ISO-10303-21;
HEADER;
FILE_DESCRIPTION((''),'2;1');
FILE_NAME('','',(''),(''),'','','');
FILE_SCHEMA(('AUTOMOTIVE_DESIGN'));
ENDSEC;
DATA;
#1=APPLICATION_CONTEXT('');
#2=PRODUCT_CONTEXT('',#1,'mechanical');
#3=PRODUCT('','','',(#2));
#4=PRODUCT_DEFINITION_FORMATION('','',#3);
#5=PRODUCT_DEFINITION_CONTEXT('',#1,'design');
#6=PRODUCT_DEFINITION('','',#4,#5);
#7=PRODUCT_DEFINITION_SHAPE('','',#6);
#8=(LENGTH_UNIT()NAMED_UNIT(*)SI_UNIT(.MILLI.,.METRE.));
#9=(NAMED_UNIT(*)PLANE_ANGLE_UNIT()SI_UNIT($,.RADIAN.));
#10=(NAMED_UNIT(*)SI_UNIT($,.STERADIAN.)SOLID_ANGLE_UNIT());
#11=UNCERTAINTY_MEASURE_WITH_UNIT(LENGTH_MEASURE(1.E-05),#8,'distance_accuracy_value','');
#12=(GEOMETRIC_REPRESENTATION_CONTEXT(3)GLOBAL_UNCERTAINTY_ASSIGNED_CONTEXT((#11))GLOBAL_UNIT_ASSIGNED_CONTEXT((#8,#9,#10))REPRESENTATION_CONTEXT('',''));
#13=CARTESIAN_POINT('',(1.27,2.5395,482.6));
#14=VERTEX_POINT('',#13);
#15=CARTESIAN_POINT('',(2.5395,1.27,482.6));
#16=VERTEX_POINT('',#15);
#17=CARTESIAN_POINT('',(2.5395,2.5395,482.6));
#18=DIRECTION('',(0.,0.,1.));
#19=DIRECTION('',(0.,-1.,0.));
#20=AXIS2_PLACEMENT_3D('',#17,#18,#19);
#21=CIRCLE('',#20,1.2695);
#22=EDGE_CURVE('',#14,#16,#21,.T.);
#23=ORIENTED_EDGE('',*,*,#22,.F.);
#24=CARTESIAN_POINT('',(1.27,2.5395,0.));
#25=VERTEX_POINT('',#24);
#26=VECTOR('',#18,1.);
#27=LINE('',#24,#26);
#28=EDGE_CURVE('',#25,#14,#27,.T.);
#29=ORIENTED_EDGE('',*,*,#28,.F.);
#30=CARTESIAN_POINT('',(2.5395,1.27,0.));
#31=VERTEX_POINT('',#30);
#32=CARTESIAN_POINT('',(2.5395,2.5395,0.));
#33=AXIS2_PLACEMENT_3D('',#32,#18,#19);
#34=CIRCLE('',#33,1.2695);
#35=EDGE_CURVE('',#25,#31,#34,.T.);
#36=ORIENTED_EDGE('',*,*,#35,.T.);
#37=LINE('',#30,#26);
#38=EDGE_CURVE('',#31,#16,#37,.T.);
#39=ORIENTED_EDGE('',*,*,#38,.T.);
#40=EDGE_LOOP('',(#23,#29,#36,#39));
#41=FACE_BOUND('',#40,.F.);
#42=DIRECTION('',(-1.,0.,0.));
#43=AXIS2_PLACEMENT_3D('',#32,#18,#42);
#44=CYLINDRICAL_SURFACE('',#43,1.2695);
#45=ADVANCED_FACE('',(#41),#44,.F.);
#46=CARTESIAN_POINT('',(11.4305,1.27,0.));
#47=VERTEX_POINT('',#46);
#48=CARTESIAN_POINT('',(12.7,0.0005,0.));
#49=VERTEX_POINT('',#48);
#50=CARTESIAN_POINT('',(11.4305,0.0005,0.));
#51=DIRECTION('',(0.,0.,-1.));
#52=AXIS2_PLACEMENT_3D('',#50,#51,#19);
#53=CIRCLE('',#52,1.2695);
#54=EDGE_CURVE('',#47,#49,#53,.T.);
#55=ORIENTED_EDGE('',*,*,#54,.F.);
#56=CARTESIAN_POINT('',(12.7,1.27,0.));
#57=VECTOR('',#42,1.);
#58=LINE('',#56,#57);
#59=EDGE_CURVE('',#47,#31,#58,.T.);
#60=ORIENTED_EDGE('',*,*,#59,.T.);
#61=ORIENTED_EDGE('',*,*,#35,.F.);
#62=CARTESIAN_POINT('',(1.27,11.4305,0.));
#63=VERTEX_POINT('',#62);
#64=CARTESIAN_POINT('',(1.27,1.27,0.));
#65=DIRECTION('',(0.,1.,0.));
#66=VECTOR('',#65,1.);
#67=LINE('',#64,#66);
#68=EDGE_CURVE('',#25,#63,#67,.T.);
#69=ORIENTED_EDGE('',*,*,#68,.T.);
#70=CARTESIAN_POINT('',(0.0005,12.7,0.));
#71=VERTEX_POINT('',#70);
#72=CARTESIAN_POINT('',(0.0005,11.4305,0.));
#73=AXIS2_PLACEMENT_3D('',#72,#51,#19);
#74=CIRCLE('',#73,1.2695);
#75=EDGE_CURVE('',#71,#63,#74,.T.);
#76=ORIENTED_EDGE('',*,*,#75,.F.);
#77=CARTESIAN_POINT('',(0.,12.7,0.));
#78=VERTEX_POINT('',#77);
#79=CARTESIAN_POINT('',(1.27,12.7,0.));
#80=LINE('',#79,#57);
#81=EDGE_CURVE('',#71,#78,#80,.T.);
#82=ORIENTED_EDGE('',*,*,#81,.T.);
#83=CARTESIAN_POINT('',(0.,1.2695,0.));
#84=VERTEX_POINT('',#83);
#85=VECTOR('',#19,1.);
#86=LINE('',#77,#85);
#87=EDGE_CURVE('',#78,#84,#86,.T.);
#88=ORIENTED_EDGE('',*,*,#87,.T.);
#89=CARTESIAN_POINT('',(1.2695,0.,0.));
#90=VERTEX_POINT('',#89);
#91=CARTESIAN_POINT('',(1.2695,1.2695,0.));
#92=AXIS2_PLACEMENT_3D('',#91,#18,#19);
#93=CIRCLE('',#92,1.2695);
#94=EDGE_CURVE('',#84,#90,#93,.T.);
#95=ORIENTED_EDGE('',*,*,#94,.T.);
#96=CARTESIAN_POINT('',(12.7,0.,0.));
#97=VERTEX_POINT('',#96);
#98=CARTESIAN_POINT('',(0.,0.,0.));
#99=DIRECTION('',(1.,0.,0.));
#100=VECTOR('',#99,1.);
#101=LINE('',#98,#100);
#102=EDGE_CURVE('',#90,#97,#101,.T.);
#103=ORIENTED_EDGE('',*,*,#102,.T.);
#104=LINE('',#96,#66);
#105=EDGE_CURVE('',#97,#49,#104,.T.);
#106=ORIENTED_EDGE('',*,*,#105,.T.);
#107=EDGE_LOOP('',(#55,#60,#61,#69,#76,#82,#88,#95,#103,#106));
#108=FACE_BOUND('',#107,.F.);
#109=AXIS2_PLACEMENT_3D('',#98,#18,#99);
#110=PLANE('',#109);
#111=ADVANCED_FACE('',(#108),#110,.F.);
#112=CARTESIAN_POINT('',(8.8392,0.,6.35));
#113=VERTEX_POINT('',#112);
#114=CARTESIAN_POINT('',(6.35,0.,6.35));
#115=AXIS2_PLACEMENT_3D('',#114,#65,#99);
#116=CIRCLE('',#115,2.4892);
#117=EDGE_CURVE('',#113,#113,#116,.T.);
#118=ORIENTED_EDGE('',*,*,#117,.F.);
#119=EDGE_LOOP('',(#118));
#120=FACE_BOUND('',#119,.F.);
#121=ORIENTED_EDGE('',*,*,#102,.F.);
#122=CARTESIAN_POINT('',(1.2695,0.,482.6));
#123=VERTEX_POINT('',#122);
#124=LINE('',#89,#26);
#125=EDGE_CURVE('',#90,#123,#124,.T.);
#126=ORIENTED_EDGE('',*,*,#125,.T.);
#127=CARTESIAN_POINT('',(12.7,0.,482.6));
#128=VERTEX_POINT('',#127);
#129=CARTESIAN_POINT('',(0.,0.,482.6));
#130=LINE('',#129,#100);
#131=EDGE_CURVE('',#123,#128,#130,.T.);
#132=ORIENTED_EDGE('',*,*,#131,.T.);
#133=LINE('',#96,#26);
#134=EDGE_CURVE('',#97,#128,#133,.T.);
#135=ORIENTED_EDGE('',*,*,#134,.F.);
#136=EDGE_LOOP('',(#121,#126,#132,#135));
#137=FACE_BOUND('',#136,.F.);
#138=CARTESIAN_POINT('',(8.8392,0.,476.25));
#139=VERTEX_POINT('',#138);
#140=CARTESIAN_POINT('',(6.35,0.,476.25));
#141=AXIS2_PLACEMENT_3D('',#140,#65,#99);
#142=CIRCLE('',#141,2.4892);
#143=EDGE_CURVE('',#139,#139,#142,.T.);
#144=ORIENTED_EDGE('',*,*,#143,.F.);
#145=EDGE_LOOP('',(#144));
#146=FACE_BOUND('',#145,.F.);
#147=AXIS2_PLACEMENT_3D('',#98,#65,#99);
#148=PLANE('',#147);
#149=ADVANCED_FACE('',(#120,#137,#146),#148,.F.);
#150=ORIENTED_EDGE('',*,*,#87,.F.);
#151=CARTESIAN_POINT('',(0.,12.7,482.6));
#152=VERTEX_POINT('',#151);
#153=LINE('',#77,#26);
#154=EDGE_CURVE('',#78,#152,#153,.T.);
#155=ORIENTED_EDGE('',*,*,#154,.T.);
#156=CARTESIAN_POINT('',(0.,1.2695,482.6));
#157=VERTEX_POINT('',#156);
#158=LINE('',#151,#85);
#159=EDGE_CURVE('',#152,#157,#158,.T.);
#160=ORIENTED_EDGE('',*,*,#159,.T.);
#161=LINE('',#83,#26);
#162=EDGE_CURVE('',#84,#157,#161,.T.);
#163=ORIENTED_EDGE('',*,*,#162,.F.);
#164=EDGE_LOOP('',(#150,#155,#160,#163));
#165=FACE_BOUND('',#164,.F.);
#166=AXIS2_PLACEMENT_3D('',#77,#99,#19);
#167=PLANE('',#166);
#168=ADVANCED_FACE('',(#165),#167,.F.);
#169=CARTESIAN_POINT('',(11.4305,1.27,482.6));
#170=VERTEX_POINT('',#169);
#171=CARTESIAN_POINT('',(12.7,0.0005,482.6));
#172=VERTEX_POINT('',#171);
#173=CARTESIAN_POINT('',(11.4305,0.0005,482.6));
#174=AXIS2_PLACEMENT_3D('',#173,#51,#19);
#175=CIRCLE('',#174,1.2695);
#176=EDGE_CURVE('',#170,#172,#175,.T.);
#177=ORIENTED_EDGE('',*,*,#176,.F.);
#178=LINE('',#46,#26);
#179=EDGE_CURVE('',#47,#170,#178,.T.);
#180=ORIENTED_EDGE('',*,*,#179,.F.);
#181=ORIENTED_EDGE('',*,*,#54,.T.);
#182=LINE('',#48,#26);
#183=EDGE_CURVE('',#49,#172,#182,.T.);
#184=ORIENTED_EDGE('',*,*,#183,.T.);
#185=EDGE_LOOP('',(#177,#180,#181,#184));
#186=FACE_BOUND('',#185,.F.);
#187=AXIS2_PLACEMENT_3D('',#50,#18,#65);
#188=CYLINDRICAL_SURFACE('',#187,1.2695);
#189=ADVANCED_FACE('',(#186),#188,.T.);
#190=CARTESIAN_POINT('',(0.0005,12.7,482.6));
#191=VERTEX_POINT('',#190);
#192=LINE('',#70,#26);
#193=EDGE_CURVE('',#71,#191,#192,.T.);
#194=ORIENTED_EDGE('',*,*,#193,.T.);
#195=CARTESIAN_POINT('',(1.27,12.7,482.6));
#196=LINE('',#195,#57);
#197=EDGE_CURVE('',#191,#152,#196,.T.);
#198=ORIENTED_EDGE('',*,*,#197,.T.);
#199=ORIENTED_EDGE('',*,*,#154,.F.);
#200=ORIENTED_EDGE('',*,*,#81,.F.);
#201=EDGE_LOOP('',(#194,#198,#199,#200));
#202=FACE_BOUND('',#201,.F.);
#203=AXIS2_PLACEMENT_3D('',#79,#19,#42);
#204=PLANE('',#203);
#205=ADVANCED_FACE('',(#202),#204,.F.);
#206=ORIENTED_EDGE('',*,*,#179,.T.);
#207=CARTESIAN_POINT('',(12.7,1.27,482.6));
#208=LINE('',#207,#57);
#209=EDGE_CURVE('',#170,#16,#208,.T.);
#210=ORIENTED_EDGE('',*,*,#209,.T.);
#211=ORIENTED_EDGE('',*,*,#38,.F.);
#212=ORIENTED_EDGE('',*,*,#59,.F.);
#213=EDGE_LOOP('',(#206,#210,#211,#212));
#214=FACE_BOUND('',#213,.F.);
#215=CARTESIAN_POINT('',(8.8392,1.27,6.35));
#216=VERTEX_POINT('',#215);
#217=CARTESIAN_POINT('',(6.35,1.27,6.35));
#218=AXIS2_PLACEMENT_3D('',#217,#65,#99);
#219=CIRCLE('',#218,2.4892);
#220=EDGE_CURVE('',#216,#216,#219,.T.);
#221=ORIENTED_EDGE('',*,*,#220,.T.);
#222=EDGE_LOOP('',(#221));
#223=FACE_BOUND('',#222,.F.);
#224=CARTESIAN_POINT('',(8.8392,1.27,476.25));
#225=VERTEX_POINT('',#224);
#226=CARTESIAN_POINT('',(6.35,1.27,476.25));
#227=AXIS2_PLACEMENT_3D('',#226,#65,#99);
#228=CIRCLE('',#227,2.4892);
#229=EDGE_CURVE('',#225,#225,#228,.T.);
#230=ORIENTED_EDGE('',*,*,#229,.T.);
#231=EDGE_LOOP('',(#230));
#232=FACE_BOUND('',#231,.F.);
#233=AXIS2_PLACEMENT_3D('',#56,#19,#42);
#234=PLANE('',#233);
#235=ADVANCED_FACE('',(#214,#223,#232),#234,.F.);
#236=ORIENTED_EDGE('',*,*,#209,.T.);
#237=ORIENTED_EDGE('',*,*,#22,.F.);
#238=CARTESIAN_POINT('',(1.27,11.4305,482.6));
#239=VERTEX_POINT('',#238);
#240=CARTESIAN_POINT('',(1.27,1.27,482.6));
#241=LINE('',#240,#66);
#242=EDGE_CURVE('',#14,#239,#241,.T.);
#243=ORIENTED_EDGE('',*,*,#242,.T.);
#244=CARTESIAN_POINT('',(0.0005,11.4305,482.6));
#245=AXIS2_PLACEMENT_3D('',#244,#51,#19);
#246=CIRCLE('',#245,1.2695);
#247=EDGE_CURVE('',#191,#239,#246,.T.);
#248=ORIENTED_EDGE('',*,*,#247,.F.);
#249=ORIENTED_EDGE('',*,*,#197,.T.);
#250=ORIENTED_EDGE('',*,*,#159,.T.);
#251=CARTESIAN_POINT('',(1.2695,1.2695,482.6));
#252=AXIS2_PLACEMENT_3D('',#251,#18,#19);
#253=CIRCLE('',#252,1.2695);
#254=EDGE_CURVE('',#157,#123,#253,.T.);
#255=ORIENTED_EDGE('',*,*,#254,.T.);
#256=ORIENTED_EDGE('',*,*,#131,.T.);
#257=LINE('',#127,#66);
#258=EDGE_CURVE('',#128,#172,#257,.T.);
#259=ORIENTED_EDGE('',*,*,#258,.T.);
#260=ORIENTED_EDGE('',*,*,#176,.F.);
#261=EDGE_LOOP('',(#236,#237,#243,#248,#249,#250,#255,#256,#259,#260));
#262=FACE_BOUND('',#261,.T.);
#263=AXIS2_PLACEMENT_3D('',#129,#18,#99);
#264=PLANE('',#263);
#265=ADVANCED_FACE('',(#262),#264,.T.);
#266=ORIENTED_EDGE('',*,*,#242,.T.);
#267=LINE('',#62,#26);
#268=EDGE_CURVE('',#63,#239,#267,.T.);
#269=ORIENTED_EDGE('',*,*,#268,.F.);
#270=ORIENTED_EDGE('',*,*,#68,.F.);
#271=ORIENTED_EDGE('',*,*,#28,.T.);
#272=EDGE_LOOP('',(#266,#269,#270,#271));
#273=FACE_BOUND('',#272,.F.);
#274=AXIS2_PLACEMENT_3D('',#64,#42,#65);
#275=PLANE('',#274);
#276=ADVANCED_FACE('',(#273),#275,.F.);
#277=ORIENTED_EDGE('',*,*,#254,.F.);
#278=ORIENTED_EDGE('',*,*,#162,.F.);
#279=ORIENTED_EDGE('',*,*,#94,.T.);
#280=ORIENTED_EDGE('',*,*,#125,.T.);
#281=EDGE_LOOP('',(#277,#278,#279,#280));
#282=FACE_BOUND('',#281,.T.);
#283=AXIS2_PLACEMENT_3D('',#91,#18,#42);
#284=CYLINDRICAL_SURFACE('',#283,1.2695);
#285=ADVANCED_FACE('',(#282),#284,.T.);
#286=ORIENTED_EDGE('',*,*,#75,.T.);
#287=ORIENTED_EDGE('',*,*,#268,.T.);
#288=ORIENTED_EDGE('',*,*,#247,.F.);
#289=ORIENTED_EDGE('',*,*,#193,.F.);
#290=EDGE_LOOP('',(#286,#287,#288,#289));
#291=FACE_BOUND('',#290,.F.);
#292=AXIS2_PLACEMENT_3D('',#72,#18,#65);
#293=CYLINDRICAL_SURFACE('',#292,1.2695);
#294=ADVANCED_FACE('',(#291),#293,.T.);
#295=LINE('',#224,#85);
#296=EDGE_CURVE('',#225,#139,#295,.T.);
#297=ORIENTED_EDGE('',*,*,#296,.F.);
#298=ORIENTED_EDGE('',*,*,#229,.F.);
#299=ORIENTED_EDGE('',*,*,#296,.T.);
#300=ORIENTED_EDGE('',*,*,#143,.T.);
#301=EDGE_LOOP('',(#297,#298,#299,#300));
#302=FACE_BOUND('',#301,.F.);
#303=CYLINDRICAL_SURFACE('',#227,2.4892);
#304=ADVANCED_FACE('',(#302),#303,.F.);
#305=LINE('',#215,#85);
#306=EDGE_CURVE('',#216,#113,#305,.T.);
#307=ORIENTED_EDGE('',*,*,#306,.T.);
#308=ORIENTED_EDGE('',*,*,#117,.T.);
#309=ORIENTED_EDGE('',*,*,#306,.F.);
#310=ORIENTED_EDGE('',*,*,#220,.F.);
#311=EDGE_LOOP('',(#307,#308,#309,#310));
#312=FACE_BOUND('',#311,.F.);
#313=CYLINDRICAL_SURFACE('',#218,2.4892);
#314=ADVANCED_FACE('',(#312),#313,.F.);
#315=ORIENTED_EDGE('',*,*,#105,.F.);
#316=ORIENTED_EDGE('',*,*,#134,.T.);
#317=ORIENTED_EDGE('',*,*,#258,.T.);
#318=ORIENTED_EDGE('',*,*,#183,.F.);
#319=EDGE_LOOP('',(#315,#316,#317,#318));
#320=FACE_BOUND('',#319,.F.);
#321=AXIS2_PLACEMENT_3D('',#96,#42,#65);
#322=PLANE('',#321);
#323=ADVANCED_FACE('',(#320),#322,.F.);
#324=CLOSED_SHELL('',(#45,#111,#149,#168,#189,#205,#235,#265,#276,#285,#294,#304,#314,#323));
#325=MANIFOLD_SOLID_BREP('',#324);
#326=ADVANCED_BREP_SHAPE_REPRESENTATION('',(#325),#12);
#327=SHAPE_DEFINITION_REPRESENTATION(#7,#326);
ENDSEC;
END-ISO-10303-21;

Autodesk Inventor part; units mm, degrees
ref_plane "YZ Plane" through (0, 0, 0) normal (1, 0, 0) x (0, 1, 0)
ref_plane "XZ Plane" through (0, 0, 0) normal (0, 1, 0) x (-1, 0, 0)
ref_plane "XY Plane" through (0, 0, 0) normal (0, 0, 1) x (1, 0, 0)
sketch "Sketch1" plane through (0, 0, 0) normal (0, 0, 1) x (1, 0, 0)
  line L0 (0, 0) -> (12.7, 0)
  line L1 (12.7, 0) -> (12.7, 1.27)
  line L2 (12.7, 1.27) -> (1.27, 1.27)
  line L3 (1.27, 1.27) -> (1.27, 12.7)
  line L4 (1.27, 12.7) -> (0, 12.7)
  line L5 (0, 12.7) -> (0, 0)
  dimension "d0" = 12.7
  dimension "d1" = 1.27
extrude "Extrusion1" add sketch "Sketch1" along normal blind 482.6
fillet "Fillet1" radius 1.27 4 edges at (12.7, 1.27, 241.3) (1.27, 1.27, 241.3) (1.27, 12.7, 241.3) (0, 0, 241.3)
sketch "Sketch2" plane through (2.54, 1.27, 482.6) normal (0, 1, 0) x (1, 0, 0)
  line L0 (0, 0) -> (0, 482.6) projected
  line L1 (8.89, 482.6) -> (8.89, 0) projected
  line L2 (8.89, 482.6) -> (0, 482.6) projected
  circle A0 centre (3.81, 476.25) radius 2.4892
  line L3 (-2.54, 482.6) -> (-2.54, 0) projected
  line L4 (8.89, 241.3) -> (0, 241.3) construction
  circle A1 centre (3.81, 6.35) radius 2.4892
  dimension "d6" = 4.9784
  dimension "d7" = 6.35
  dimension "d8" = 6.35
extrude "Extrusion2" cut sketch "Sketch2" against normal blind 25.4
equation "\"d8\" = d7"
properties part number ".05 in Aluminum Angle (19 in)"
